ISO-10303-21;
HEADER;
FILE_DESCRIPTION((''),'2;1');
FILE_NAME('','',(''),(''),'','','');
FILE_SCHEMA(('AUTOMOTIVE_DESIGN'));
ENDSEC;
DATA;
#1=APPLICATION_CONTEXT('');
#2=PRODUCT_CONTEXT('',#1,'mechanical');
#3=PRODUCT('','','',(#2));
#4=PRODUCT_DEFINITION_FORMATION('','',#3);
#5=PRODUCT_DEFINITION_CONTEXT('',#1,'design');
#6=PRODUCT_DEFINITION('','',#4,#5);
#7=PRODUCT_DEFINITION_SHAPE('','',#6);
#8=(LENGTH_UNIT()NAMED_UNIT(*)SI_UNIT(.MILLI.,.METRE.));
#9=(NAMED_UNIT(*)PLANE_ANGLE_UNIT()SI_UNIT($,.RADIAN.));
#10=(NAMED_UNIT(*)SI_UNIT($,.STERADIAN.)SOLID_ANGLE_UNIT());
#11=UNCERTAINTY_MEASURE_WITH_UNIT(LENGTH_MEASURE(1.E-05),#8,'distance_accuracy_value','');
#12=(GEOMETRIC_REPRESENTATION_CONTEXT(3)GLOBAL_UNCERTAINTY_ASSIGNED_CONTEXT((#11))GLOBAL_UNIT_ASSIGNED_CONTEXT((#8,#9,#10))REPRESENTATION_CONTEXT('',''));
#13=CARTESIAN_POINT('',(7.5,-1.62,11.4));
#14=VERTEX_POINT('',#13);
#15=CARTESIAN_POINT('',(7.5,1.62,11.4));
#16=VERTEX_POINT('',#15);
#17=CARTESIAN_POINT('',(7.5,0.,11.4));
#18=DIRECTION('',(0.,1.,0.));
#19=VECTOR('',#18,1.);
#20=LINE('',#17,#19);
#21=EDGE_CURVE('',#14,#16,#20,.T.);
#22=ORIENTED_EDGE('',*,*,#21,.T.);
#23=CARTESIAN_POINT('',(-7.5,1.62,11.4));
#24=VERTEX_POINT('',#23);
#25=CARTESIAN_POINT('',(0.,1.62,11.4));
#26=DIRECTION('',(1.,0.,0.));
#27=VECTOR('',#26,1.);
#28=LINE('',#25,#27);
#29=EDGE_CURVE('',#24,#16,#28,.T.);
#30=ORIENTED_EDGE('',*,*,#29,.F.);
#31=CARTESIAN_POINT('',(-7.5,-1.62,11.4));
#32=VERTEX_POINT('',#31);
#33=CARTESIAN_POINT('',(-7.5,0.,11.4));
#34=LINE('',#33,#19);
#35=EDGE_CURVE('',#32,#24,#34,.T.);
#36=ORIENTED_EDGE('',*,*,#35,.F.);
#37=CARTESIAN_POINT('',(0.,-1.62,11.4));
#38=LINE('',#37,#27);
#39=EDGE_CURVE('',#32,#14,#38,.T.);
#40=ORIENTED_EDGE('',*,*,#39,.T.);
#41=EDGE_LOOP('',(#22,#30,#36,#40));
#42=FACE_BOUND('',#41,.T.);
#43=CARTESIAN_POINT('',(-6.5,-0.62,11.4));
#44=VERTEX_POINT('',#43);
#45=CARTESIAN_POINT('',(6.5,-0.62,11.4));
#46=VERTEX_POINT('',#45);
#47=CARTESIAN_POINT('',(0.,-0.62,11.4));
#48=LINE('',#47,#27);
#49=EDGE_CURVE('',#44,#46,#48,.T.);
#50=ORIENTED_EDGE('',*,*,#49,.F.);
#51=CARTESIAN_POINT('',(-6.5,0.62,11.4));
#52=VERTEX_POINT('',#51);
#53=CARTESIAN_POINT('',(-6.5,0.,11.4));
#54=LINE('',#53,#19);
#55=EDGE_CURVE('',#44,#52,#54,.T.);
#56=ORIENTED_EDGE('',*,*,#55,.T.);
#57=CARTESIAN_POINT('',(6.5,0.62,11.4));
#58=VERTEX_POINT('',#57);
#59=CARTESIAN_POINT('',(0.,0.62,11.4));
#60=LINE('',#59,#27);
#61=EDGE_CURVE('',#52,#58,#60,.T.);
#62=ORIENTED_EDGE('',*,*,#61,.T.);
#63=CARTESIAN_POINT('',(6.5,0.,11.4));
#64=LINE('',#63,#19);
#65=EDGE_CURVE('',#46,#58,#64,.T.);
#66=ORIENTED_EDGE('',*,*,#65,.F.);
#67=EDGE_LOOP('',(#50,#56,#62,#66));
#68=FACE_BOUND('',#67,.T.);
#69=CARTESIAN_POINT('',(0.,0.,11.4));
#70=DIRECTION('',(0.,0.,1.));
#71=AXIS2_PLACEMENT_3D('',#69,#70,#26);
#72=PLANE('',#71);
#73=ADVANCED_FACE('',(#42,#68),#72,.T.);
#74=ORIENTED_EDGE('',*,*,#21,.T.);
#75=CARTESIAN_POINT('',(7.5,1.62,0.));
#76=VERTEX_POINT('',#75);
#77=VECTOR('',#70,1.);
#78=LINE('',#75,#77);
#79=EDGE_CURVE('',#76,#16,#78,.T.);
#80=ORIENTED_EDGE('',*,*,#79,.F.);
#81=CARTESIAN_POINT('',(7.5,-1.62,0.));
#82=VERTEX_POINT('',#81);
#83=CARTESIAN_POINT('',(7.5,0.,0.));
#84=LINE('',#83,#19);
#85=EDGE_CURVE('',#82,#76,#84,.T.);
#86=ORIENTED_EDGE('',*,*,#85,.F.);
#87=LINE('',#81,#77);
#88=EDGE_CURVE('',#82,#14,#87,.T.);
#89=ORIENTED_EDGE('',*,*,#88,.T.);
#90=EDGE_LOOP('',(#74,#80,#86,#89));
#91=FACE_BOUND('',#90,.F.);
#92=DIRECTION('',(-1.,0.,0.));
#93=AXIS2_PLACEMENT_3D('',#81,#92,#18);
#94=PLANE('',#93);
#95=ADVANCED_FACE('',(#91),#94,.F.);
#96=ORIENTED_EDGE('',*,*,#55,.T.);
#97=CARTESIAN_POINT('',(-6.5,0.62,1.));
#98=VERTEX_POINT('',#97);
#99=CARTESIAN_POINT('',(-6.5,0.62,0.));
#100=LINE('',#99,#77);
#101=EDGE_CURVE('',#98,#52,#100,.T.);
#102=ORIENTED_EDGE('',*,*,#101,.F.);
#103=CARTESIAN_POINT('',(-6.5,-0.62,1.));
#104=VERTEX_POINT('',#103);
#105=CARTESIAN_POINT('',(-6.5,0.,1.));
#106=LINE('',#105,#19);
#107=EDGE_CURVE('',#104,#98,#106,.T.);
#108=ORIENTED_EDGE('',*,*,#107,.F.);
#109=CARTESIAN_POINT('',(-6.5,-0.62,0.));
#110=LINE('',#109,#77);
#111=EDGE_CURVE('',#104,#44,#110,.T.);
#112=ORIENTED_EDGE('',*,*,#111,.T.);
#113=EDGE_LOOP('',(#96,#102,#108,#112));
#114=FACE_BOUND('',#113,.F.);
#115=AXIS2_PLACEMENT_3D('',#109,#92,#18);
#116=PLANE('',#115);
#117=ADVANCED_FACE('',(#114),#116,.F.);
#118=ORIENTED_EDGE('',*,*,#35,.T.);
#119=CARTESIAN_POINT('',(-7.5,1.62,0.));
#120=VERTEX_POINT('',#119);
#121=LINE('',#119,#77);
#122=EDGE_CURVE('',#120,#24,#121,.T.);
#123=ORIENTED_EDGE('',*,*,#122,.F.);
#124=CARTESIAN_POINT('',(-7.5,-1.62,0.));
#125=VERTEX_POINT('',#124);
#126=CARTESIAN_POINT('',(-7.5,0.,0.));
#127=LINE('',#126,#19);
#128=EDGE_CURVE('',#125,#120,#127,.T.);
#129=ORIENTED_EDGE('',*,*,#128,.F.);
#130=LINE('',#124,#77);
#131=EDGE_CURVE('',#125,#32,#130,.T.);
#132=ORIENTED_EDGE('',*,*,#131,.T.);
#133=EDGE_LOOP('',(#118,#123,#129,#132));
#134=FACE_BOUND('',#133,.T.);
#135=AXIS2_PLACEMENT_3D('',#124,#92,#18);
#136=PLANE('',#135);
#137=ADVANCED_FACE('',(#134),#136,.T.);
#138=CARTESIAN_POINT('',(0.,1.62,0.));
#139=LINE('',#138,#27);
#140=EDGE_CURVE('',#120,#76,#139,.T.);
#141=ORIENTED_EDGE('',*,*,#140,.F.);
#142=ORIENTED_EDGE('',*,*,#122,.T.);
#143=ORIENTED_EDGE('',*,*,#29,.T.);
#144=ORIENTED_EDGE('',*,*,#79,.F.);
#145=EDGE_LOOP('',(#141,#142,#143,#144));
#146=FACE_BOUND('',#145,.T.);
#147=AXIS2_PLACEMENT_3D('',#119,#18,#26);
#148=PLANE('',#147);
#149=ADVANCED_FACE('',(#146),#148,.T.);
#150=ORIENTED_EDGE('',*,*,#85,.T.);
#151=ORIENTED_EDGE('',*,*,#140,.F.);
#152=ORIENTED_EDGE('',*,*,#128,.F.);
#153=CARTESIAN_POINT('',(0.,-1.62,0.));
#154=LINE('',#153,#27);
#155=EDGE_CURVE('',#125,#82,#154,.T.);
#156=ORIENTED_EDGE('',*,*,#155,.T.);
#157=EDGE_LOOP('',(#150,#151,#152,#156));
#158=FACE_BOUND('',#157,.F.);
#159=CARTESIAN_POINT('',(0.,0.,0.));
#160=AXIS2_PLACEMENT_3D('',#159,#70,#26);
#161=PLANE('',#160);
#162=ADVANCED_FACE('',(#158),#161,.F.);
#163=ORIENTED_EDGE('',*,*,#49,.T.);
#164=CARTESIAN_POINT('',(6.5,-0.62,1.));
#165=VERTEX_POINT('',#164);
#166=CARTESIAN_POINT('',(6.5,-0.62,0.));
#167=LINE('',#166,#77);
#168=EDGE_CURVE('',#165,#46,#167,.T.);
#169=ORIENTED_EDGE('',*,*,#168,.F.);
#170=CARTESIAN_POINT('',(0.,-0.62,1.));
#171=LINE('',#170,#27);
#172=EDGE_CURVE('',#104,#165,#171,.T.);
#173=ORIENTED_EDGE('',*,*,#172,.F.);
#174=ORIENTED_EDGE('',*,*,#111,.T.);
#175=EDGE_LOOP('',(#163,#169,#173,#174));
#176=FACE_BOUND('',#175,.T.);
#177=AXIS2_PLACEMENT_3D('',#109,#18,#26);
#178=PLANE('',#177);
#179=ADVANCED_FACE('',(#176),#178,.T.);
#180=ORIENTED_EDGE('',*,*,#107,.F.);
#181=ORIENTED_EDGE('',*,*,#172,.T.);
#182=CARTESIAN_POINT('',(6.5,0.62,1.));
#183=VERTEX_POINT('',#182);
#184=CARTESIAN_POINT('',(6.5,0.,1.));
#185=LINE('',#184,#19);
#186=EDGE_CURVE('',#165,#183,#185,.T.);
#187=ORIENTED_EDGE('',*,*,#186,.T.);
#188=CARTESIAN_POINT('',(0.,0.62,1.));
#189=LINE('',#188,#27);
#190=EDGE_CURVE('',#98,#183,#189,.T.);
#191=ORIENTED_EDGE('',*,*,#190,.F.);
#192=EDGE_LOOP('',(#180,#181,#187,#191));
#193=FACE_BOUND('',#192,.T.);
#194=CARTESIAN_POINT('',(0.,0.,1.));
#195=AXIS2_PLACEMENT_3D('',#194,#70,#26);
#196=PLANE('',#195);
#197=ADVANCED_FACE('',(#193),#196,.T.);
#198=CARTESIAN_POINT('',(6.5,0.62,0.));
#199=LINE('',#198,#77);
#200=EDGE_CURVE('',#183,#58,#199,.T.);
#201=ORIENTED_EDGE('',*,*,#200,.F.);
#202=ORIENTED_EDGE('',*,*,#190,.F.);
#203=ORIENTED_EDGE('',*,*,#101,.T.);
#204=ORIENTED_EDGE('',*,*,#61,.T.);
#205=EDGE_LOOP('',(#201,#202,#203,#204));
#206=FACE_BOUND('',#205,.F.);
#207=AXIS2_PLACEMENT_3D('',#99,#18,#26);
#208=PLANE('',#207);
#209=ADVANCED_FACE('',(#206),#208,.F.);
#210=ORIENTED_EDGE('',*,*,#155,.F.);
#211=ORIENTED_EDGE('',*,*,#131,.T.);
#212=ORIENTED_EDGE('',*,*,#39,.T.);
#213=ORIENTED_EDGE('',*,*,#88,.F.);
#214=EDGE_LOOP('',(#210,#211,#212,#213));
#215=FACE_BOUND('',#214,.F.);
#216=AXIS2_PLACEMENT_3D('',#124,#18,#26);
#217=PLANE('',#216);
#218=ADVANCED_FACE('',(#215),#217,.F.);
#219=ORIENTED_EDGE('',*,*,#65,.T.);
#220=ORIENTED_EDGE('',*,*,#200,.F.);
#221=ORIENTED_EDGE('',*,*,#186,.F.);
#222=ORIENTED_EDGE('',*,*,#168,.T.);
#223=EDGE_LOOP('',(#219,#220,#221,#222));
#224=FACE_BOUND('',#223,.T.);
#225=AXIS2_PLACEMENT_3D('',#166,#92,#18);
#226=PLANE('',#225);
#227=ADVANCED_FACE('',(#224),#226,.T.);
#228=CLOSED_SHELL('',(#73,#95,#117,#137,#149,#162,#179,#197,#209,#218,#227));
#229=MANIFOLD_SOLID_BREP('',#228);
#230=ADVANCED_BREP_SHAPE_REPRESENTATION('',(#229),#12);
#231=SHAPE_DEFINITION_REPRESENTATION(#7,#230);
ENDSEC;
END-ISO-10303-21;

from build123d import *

# Parameters (mm, degrees)
F3_W     = 15
F3_H     = 3.24
F3_W_2   = 13
F3_H_2   = 1.24
F4_DEPTH = 11.4
F3_W_3   = 10.76
F3_H_3   = 1
F5_DEPTH = 1


with BuildPart() as f4:
    # F3 (on Top) → F4 (new body)
    with BuildSketch(Plane.XY):
        Rectangle(F3_W, F3_H)
        Rectangle(F3_W_2, F3_H_2, mode=Mode.SUBTRACT)
    extrude(amount=F4_DEPTH)

    # F3 (on Top) → F5 (join)
    with BuildSketch(Plane.XY):
        Rectangle(F3_W_2, F3_H_2)
        with Locations((-1, 0)):
            Rectangle(F3_W_3, F3_H_3, mode=Mode.SUBTRACT)
        with Locations((-1, 0)):
            Rectangle(F3_W_3, F3_H_3)
    extrude(amount=F5_DEPTH)


solid = f4.part
